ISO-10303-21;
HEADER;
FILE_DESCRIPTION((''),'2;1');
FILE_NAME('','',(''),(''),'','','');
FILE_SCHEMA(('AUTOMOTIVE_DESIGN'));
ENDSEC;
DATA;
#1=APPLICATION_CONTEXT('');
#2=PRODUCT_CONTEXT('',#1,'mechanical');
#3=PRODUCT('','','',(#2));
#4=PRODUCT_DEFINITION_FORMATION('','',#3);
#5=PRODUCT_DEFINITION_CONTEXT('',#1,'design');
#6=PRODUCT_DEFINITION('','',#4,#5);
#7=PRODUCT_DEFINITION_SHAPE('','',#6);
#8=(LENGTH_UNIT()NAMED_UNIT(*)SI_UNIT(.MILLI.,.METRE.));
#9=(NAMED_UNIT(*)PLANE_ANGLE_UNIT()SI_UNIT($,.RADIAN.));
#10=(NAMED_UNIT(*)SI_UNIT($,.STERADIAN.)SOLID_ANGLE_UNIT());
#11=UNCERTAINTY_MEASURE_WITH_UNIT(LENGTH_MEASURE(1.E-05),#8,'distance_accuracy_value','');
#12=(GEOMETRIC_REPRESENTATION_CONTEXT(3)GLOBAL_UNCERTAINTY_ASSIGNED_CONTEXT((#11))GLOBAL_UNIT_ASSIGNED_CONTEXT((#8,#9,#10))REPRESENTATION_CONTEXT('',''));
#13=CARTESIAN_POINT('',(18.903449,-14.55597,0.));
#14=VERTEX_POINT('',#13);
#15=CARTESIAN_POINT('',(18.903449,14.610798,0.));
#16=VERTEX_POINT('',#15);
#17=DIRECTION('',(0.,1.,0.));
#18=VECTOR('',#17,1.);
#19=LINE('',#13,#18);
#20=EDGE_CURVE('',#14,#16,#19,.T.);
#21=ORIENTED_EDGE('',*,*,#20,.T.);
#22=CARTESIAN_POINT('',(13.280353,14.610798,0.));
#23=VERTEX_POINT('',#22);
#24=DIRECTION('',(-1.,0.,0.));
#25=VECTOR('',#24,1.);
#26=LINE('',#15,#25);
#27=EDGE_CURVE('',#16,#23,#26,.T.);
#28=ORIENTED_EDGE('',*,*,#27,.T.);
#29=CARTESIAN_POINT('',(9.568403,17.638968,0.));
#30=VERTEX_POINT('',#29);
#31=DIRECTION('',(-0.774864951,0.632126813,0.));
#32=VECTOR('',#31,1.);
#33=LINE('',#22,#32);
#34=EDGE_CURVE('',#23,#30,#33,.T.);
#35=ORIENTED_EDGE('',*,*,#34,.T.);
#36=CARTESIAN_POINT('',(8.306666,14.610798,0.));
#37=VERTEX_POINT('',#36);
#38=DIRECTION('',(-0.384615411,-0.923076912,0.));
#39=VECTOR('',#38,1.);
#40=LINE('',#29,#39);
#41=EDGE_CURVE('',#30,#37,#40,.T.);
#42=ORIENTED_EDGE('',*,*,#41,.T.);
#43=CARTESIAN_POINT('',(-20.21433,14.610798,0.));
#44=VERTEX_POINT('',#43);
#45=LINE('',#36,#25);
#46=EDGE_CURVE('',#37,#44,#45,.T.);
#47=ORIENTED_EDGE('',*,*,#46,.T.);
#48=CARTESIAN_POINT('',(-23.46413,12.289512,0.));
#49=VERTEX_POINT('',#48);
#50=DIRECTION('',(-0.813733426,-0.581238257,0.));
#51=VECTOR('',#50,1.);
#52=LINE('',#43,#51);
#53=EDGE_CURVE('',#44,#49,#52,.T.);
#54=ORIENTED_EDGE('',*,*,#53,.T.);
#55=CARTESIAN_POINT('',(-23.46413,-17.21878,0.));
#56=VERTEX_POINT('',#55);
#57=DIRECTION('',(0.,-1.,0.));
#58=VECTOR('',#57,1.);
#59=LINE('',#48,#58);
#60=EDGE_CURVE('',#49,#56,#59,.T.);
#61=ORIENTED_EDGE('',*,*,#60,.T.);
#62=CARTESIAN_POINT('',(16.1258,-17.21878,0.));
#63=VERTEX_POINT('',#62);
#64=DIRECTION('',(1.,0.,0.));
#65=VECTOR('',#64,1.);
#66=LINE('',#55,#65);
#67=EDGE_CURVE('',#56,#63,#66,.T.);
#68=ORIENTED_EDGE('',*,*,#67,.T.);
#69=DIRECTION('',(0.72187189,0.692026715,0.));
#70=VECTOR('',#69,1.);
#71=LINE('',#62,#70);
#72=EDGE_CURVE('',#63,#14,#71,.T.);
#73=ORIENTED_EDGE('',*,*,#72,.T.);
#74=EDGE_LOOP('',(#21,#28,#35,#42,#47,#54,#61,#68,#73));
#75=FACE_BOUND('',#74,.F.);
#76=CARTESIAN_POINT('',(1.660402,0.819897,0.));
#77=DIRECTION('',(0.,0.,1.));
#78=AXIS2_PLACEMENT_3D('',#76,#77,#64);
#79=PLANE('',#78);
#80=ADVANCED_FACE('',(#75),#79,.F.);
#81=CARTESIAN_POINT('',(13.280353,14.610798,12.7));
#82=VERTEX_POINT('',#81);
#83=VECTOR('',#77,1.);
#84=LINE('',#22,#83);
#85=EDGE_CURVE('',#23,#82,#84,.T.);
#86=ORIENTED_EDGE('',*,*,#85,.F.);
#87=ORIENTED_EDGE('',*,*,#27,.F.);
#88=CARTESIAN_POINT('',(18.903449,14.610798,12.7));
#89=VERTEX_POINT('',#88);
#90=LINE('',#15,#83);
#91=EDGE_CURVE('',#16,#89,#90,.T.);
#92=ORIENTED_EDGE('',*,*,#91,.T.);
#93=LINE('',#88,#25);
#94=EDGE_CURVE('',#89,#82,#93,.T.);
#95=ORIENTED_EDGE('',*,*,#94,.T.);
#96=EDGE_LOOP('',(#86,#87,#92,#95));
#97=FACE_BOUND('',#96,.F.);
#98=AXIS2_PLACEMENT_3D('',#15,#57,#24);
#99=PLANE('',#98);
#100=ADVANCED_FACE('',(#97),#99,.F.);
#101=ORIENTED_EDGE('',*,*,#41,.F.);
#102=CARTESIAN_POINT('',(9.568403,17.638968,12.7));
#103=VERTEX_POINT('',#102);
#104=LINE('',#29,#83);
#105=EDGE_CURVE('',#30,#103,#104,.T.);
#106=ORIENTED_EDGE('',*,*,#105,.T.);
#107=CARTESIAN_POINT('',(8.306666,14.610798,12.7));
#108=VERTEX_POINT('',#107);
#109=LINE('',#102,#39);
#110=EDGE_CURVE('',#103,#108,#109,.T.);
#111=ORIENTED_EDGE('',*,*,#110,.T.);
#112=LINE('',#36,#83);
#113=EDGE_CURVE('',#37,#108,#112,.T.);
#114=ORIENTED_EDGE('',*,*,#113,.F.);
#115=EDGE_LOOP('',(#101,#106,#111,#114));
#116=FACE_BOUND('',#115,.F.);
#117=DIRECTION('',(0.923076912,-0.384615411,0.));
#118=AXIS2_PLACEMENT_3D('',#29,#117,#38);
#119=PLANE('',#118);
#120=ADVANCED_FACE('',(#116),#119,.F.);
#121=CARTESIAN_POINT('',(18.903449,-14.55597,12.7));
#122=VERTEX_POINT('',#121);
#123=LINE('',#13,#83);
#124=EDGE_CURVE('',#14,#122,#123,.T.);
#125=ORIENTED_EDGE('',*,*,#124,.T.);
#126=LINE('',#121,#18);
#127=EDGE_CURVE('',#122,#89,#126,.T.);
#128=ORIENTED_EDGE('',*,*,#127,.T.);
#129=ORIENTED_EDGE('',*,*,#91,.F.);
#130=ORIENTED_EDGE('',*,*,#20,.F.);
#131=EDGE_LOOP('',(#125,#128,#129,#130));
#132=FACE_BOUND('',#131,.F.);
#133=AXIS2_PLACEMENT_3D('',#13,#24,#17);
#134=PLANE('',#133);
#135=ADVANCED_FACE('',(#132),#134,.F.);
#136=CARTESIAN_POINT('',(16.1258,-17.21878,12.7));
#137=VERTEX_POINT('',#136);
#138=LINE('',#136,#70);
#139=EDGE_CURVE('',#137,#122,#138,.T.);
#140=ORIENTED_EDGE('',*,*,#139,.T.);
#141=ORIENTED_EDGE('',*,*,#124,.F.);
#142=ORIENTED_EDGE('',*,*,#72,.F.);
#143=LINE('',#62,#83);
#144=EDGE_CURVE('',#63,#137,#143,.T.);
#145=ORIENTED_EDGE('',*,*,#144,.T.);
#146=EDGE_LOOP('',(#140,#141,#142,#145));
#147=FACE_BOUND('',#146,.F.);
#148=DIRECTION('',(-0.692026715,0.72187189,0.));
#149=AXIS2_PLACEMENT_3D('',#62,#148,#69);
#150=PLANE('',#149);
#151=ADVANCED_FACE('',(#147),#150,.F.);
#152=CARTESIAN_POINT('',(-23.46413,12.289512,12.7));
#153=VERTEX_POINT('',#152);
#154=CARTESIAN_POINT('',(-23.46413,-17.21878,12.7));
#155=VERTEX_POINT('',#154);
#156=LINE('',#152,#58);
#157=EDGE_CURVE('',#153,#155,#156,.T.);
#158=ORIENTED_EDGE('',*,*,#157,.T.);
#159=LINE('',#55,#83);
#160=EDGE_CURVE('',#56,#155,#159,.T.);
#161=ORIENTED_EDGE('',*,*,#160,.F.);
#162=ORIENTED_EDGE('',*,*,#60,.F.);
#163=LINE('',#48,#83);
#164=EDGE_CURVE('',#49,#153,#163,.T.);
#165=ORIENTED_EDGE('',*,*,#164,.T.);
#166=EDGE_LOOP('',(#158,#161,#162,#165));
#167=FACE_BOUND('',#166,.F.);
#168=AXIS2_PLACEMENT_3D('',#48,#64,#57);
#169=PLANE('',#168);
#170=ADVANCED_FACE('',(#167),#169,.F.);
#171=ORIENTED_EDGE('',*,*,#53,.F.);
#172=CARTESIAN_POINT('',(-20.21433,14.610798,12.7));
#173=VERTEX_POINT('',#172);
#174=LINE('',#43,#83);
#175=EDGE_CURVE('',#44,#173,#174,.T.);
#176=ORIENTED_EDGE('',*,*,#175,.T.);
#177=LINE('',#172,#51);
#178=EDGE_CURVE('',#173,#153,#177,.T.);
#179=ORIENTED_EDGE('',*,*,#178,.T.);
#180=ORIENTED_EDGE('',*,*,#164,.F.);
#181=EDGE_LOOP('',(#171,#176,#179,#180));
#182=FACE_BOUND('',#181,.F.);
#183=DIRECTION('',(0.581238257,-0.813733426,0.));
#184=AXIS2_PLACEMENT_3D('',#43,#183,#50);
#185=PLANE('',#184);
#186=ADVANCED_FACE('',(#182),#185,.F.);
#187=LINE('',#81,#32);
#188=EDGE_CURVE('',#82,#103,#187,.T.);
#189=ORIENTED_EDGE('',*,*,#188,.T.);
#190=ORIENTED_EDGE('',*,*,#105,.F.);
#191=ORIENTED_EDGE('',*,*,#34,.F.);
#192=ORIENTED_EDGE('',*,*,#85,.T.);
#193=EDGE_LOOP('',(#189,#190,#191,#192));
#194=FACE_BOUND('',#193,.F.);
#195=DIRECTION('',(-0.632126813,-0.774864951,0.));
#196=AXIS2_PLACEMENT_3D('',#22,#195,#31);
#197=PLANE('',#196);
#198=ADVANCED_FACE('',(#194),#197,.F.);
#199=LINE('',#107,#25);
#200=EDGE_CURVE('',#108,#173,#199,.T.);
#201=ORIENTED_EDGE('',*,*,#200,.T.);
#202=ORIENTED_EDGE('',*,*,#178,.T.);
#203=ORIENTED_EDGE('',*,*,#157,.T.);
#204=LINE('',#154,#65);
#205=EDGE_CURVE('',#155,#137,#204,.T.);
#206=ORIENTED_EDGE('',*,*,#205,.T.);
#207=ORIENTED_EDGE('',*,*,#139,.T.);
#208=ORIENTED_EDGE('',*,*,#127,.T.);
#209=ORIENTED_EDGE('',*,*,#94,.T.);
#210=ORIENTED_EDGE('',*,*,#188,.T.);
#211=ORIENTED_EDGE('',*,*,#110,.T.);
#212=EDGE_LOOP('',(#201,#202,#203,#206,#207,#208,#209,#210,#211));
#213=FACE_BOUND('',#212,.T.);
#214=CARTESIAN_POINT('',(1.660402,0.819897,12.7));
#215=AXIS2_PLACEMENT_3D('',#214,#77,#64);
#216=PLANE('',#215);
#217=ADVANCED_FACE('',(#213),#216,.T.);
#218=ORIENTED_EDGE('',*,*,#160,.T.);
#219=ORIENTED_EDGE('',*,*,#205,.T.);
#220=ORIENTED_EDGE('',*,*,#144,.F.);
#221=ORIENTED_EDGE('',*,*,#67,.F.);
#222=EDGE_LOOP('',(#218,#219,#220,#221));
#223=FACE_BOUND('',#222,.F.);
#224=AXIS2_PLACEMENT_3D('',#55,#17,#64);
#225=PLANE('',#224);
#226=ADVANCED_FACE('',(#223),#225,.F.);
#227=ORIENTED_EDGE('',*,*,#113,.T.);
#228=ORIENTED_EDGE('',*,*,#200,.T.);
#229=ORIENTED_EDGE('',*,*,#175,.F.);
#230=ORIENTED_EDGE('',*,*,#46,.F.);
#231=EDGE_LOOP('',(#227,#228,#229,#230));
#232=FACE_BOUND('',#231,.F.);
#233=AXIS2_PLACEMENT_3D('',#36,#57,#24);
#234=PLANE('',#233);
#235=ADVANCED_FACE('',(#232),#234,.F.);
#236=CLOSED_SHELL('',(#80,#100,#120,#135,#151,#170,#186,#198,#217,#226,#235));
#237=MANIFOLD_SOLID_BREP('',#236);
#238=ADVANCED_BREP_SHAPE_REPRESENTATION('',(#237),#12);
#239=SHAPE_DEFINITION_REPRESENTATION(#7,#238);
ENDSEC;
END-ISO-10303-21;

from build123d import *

# Parameters (mm, degrees)
F1_DEPTH = 12.7


with BuildPart() as f1:
    # F0 (on Top) → F1 (new body)
    with BuildSketch(Plane.XY):
        Polygon((8.306665788, 14.6107980981), (-20.214330405, 14.6107980981), (-20.214330405, -14.5559702069), (18.9034491777, -14.5559702069), (18.9034491777, 14.6107980981), (13.2803532164, 14.6107980981), (16.125800088, 12.2895119712), (9.568403475, -5.3119254299), (3.5286939237, 3.1436665449), align=None)
        Polygon((-20.214330405, -14.5559702069), (-20.214330405, 14.6107980981), (-23.4641304458, 12.2895119712), (-23.4641304458, -17.2187797725), align=None)
        Polygon((9.568403475, 17.6389683038), (8.306665788, 14.6107980981), (13.2803532164, 14.6107980981), align=None)
        Polygon((13.2803532164, 14.6107980981), (8.306665788, 14.6107980981), (3.5286939237, 3.1436665449), (9.568403475, -5.3119254299), (16.125800088, 12.2895119712), align=None)
        Polygon((18.9034491777, -14.5559702069), (-20.214330405, -14.5559702069), (-23.4641304458, -17.2187797725), (16.125800088, -17.2187797725), align=None)
    extrude(amount=F1_DEPTH)


solid = f1.part
